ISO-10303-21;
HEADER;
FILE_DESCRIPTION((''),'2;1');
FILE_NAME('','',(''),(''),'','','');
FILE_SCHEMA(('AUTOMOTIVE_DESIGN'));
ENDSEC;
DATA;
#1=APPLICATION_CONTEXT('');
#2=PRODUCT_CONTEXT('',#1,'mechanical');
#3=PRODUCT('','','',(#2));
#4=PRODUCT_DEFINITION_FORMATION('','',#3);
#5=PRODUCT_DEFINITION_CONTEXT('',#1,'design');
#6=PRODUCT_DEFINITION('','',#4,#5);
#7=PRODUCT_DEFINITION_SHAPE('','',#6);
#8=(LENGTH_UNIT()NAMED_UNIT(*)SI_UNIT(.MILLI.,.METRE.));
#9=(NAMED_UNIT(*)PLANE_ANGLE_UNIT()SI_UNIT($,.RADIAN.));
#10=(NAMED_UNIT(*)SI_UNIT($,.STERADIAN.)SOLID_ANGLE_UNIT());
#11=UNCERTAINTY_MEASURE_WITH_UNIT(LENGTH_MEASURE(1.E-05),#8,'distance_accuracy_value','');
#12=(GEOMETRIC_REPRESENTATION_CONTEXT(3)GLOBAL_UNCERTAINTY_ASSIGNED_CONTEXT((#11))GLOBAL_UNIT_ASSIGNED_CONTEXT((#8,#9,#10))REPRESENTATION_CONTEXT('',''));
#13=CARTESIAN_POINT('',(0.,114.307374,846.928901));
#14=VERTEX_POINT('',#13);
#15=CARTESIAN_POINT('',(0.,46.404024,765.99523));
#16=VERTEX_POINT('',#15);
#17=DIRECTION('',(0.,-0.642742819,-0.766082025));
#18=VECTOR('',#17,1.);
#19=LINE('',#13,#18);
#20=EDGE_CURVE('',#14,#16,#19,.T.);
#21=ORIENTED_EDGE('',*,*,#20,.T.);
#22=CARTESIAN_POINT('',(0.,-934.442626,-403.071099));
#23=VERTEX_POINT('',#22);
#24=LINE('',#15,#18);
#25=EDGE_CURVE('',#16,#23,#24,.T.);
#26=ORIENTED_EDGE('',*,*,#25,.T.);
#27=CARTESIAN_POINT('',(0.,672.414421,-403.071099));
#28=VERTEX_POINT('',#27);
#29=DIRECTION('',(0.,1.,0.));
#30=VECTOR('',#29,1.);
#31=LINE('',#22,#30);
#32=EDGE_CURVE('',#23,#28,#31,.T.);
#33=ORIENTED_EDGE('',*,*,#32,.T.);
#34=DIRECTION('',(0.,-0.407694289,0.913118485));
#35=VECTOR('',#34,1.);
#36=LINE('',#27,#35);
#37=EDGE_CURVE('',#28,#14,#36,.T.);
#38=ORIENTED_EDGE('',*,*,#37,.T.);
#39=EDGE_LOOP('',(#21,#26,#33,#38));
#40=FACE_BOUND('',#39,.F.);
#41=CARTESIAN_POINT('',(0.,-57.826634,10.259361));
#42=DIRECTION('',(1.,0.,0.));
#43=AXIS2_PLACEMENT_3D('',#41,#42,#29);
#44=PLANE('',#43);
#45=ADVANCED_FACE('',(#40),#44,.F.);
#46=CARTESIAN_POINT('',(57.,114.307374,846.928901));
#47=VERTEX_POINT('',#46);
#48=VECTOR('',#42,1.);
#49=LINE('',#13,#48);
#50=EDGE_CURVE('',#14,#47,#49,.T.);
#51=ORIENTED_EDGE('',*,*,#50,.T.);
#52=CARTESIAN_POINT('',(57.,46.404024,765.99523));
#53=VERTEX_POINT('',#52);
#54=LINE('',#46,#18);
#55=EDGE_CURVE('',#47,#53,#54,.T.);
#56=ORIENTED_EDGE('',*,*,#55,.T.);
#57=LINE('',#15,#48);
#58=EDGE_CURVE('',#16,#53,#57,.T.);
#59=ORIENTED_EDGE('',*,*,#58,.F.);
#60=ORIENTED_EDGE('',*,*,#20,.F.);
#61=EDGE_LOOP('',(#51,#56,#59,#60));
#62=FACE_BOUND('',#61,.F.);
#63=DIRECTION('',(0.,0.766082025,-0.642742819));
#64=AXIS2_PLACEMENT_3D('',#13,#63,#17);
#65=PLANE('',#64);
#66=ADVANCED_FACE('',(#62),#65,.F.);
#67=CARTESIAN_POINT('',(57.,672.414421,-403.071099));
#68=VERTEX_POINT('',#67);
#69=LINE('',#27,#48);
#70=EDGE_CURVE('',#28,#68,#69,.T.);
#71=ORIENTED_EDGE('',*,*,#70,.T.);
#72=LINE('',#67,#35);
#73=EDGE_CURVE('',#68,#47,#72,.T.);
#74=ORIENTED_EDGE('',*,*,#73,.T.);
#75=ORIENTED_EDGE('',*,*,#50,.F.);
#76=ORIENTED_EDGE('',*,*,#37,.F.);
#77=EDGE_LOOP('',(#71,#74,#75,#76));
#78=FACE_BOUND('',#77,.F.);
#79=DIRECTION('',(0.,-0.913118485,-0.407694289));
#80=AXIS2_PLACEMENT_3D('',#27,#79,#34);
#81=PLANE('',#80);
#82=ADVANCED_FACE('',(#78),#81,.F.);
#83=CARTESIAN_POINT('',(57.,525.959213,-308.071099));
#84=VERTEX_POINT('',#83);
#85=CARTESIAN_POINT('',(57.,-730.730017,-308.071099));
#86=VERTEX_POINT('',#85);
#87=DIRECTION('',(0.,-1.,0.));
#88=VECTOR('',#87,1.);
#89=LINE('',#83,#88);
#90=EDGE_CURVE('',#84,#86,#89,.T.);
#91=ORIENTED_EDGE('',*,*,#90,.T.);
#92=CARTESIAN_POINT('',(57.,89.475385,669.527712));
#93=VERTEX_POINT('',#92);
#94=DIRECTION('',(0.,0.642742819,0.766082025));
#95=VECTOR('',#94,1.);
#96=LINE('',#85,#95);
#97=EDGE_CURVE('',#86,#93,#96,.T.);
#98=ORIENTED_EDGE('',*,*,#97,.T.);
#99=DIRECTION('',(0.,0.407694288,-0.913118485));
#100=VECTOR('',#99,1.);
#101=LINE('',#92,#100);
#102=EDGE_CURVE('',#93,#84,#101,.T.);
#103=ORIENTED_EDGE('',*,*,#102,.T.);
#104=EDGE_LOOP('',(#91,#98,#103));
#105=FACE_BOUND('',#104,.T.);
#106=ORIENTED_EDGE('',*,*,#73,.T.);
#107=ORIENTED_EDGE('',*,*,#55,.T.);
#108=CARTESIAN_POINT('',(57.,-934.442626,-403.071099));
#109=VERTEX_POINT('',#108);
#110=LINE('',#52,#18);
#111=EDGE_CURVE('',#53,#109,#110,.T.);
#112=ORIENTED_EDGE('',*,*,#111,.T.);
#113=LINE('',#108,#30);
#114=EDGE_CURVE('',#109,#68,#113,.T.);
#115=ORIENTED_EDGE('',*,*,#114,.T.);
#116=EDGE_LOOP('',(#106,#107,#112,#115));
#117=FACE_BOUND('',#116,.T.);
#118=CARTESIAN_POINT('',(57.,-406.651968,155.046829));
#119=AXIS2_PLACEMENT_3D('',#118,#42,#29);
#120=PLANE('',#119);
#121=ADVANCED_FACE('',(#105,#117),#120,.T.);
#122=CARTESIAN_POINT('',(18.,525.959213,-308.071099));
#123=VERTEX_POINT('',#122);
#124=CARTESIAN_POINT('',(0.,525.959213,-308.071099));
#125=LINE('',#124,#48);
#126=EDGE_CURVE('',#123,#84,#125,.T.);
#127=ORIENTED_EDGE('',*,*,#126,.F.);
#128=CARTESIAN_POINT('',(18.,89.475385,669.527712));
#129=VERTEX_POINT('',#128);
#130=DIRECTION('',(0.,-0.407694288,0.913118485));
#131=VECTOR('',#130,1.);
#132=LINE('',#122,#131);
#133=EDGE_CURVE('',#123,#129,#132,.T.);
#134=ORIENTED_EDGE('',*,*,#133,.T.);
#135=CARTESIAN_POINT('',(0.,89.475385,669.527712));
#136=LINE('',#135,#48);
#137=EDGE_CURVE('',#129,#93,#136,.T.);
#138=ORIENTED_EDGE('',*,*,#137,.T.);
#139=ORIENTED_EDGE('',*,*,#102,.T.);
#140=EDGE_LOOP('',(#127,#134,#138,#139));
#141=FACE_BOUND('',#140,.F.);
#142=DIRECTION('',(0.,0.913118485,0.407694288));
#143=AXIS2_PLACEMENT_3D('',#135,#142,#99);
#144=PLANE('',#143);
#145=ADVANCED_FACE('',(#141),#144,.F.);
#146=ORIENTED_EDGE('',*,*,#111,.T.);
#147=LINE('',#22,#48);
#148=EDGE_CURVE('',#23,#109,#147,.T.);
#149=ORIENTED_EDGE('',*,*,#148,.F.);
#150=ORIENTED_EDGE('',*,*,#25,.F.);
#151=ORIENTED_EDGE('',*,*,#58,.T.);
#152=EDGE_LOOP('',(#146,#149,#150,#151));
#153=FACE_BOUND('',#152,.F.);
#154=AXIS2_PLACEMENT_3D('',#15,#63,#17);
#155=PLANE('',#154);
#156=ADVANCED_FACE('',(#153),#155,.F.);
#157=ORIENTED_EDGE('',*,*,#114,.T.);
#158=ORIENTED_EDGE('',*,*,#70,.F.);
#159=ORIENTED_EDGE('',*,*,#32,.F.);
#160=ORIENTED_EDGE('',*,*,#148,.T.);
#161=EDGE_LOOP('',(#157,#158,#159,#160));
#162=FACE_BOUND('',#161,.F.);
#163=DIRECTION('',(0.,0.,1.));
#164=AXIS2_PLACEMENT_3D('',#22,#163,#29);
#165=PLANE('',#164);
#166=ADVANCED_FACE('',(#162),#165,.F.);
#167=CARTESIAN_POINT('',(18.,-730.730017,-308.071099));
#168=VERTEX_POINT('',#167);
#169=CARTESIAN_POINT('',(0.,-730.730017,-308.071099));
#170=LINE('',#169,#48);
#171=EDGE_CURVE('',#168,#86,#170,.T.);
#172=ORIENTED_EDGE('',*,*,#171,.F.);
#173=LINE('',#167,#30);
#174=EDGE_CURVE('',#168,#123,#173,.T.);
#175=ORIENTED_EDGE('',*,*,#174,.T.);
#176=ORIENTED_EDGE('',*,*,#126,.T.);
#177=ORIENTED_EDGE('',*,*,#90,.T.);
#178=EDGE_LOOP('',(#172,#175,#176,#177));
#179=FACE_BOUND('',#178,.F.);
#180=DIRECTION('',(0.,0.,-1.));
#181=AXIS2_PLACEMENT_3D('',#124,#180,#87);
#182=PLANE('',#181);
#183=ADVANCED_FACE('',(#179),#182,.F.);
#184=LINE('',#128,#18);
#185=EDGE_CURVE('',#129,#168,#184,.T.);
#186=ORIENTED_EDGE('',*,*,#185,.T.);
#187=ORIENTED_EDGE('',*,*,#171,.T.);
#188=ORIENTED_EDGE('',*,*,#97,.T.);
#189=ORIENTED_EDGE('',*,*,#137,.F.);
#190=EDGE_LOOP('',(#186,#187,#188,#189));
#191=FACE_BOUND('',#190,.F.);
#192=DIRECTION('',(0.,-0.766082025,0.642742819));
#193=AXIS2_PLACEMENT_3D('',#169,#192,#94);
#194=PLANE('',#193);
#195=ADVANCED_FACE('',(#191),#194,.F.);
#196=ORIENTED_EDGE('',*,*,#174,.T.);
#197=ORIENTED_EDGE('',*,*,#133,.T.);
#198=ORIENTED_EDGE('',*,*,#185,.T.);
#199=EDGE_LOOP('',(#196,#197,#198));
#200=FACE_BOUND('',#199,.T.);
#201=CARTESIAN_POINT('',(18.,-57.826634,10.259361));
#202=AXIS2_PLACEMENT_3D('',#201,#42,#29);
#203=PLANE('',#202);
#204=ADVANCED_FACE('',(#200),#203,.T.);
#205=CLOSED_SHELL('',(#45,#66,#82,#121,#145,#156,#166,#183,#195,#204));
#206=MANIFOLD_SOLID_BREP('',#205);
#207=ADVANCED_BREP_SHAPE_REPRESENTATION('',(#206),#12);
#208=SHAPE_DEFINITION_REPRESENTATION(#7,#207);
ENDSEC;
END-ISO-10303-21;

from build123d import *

# Parameters (mm, degrees)
F1_DEPTH = 57
F2_DEPTH = 18


with BuildPart() as f1:
    # F0 (on Right) → F1 (new body)
    with BuildSketch(Plane.YZ):
        Polygon((-810.435017, -403.071099), (-730.730017, -308.071099), (89.475385, 669.527712), (46.404024, 765.99523), (-934.442626, -403.071099), align=None)
        Polygon((89.475385, 669.527712), (525.959213, -308.071099), (568.375349, -403.071099), (672.414421, -403.071099), (114.307374, 846.928901), (46.404024, 765.99523), align=None)
        Polygon((568.375349, -403.071099), (525.959213, -308.071099), (-730.730017, -308.071099), (-810.435017, -403.071099), align=None)
    extrude(amount=F1_DEPTH)

    # F0 (on Right) → F2 (join)
    with BuildSketch(Plane.YZ):
        Polygon((-730.730017, -308.071099), (525.959213, -308.071099), (89.475385, 669.527712), align=None)
    extrude(amount=F2_DEPTH)


solid = f1.part
